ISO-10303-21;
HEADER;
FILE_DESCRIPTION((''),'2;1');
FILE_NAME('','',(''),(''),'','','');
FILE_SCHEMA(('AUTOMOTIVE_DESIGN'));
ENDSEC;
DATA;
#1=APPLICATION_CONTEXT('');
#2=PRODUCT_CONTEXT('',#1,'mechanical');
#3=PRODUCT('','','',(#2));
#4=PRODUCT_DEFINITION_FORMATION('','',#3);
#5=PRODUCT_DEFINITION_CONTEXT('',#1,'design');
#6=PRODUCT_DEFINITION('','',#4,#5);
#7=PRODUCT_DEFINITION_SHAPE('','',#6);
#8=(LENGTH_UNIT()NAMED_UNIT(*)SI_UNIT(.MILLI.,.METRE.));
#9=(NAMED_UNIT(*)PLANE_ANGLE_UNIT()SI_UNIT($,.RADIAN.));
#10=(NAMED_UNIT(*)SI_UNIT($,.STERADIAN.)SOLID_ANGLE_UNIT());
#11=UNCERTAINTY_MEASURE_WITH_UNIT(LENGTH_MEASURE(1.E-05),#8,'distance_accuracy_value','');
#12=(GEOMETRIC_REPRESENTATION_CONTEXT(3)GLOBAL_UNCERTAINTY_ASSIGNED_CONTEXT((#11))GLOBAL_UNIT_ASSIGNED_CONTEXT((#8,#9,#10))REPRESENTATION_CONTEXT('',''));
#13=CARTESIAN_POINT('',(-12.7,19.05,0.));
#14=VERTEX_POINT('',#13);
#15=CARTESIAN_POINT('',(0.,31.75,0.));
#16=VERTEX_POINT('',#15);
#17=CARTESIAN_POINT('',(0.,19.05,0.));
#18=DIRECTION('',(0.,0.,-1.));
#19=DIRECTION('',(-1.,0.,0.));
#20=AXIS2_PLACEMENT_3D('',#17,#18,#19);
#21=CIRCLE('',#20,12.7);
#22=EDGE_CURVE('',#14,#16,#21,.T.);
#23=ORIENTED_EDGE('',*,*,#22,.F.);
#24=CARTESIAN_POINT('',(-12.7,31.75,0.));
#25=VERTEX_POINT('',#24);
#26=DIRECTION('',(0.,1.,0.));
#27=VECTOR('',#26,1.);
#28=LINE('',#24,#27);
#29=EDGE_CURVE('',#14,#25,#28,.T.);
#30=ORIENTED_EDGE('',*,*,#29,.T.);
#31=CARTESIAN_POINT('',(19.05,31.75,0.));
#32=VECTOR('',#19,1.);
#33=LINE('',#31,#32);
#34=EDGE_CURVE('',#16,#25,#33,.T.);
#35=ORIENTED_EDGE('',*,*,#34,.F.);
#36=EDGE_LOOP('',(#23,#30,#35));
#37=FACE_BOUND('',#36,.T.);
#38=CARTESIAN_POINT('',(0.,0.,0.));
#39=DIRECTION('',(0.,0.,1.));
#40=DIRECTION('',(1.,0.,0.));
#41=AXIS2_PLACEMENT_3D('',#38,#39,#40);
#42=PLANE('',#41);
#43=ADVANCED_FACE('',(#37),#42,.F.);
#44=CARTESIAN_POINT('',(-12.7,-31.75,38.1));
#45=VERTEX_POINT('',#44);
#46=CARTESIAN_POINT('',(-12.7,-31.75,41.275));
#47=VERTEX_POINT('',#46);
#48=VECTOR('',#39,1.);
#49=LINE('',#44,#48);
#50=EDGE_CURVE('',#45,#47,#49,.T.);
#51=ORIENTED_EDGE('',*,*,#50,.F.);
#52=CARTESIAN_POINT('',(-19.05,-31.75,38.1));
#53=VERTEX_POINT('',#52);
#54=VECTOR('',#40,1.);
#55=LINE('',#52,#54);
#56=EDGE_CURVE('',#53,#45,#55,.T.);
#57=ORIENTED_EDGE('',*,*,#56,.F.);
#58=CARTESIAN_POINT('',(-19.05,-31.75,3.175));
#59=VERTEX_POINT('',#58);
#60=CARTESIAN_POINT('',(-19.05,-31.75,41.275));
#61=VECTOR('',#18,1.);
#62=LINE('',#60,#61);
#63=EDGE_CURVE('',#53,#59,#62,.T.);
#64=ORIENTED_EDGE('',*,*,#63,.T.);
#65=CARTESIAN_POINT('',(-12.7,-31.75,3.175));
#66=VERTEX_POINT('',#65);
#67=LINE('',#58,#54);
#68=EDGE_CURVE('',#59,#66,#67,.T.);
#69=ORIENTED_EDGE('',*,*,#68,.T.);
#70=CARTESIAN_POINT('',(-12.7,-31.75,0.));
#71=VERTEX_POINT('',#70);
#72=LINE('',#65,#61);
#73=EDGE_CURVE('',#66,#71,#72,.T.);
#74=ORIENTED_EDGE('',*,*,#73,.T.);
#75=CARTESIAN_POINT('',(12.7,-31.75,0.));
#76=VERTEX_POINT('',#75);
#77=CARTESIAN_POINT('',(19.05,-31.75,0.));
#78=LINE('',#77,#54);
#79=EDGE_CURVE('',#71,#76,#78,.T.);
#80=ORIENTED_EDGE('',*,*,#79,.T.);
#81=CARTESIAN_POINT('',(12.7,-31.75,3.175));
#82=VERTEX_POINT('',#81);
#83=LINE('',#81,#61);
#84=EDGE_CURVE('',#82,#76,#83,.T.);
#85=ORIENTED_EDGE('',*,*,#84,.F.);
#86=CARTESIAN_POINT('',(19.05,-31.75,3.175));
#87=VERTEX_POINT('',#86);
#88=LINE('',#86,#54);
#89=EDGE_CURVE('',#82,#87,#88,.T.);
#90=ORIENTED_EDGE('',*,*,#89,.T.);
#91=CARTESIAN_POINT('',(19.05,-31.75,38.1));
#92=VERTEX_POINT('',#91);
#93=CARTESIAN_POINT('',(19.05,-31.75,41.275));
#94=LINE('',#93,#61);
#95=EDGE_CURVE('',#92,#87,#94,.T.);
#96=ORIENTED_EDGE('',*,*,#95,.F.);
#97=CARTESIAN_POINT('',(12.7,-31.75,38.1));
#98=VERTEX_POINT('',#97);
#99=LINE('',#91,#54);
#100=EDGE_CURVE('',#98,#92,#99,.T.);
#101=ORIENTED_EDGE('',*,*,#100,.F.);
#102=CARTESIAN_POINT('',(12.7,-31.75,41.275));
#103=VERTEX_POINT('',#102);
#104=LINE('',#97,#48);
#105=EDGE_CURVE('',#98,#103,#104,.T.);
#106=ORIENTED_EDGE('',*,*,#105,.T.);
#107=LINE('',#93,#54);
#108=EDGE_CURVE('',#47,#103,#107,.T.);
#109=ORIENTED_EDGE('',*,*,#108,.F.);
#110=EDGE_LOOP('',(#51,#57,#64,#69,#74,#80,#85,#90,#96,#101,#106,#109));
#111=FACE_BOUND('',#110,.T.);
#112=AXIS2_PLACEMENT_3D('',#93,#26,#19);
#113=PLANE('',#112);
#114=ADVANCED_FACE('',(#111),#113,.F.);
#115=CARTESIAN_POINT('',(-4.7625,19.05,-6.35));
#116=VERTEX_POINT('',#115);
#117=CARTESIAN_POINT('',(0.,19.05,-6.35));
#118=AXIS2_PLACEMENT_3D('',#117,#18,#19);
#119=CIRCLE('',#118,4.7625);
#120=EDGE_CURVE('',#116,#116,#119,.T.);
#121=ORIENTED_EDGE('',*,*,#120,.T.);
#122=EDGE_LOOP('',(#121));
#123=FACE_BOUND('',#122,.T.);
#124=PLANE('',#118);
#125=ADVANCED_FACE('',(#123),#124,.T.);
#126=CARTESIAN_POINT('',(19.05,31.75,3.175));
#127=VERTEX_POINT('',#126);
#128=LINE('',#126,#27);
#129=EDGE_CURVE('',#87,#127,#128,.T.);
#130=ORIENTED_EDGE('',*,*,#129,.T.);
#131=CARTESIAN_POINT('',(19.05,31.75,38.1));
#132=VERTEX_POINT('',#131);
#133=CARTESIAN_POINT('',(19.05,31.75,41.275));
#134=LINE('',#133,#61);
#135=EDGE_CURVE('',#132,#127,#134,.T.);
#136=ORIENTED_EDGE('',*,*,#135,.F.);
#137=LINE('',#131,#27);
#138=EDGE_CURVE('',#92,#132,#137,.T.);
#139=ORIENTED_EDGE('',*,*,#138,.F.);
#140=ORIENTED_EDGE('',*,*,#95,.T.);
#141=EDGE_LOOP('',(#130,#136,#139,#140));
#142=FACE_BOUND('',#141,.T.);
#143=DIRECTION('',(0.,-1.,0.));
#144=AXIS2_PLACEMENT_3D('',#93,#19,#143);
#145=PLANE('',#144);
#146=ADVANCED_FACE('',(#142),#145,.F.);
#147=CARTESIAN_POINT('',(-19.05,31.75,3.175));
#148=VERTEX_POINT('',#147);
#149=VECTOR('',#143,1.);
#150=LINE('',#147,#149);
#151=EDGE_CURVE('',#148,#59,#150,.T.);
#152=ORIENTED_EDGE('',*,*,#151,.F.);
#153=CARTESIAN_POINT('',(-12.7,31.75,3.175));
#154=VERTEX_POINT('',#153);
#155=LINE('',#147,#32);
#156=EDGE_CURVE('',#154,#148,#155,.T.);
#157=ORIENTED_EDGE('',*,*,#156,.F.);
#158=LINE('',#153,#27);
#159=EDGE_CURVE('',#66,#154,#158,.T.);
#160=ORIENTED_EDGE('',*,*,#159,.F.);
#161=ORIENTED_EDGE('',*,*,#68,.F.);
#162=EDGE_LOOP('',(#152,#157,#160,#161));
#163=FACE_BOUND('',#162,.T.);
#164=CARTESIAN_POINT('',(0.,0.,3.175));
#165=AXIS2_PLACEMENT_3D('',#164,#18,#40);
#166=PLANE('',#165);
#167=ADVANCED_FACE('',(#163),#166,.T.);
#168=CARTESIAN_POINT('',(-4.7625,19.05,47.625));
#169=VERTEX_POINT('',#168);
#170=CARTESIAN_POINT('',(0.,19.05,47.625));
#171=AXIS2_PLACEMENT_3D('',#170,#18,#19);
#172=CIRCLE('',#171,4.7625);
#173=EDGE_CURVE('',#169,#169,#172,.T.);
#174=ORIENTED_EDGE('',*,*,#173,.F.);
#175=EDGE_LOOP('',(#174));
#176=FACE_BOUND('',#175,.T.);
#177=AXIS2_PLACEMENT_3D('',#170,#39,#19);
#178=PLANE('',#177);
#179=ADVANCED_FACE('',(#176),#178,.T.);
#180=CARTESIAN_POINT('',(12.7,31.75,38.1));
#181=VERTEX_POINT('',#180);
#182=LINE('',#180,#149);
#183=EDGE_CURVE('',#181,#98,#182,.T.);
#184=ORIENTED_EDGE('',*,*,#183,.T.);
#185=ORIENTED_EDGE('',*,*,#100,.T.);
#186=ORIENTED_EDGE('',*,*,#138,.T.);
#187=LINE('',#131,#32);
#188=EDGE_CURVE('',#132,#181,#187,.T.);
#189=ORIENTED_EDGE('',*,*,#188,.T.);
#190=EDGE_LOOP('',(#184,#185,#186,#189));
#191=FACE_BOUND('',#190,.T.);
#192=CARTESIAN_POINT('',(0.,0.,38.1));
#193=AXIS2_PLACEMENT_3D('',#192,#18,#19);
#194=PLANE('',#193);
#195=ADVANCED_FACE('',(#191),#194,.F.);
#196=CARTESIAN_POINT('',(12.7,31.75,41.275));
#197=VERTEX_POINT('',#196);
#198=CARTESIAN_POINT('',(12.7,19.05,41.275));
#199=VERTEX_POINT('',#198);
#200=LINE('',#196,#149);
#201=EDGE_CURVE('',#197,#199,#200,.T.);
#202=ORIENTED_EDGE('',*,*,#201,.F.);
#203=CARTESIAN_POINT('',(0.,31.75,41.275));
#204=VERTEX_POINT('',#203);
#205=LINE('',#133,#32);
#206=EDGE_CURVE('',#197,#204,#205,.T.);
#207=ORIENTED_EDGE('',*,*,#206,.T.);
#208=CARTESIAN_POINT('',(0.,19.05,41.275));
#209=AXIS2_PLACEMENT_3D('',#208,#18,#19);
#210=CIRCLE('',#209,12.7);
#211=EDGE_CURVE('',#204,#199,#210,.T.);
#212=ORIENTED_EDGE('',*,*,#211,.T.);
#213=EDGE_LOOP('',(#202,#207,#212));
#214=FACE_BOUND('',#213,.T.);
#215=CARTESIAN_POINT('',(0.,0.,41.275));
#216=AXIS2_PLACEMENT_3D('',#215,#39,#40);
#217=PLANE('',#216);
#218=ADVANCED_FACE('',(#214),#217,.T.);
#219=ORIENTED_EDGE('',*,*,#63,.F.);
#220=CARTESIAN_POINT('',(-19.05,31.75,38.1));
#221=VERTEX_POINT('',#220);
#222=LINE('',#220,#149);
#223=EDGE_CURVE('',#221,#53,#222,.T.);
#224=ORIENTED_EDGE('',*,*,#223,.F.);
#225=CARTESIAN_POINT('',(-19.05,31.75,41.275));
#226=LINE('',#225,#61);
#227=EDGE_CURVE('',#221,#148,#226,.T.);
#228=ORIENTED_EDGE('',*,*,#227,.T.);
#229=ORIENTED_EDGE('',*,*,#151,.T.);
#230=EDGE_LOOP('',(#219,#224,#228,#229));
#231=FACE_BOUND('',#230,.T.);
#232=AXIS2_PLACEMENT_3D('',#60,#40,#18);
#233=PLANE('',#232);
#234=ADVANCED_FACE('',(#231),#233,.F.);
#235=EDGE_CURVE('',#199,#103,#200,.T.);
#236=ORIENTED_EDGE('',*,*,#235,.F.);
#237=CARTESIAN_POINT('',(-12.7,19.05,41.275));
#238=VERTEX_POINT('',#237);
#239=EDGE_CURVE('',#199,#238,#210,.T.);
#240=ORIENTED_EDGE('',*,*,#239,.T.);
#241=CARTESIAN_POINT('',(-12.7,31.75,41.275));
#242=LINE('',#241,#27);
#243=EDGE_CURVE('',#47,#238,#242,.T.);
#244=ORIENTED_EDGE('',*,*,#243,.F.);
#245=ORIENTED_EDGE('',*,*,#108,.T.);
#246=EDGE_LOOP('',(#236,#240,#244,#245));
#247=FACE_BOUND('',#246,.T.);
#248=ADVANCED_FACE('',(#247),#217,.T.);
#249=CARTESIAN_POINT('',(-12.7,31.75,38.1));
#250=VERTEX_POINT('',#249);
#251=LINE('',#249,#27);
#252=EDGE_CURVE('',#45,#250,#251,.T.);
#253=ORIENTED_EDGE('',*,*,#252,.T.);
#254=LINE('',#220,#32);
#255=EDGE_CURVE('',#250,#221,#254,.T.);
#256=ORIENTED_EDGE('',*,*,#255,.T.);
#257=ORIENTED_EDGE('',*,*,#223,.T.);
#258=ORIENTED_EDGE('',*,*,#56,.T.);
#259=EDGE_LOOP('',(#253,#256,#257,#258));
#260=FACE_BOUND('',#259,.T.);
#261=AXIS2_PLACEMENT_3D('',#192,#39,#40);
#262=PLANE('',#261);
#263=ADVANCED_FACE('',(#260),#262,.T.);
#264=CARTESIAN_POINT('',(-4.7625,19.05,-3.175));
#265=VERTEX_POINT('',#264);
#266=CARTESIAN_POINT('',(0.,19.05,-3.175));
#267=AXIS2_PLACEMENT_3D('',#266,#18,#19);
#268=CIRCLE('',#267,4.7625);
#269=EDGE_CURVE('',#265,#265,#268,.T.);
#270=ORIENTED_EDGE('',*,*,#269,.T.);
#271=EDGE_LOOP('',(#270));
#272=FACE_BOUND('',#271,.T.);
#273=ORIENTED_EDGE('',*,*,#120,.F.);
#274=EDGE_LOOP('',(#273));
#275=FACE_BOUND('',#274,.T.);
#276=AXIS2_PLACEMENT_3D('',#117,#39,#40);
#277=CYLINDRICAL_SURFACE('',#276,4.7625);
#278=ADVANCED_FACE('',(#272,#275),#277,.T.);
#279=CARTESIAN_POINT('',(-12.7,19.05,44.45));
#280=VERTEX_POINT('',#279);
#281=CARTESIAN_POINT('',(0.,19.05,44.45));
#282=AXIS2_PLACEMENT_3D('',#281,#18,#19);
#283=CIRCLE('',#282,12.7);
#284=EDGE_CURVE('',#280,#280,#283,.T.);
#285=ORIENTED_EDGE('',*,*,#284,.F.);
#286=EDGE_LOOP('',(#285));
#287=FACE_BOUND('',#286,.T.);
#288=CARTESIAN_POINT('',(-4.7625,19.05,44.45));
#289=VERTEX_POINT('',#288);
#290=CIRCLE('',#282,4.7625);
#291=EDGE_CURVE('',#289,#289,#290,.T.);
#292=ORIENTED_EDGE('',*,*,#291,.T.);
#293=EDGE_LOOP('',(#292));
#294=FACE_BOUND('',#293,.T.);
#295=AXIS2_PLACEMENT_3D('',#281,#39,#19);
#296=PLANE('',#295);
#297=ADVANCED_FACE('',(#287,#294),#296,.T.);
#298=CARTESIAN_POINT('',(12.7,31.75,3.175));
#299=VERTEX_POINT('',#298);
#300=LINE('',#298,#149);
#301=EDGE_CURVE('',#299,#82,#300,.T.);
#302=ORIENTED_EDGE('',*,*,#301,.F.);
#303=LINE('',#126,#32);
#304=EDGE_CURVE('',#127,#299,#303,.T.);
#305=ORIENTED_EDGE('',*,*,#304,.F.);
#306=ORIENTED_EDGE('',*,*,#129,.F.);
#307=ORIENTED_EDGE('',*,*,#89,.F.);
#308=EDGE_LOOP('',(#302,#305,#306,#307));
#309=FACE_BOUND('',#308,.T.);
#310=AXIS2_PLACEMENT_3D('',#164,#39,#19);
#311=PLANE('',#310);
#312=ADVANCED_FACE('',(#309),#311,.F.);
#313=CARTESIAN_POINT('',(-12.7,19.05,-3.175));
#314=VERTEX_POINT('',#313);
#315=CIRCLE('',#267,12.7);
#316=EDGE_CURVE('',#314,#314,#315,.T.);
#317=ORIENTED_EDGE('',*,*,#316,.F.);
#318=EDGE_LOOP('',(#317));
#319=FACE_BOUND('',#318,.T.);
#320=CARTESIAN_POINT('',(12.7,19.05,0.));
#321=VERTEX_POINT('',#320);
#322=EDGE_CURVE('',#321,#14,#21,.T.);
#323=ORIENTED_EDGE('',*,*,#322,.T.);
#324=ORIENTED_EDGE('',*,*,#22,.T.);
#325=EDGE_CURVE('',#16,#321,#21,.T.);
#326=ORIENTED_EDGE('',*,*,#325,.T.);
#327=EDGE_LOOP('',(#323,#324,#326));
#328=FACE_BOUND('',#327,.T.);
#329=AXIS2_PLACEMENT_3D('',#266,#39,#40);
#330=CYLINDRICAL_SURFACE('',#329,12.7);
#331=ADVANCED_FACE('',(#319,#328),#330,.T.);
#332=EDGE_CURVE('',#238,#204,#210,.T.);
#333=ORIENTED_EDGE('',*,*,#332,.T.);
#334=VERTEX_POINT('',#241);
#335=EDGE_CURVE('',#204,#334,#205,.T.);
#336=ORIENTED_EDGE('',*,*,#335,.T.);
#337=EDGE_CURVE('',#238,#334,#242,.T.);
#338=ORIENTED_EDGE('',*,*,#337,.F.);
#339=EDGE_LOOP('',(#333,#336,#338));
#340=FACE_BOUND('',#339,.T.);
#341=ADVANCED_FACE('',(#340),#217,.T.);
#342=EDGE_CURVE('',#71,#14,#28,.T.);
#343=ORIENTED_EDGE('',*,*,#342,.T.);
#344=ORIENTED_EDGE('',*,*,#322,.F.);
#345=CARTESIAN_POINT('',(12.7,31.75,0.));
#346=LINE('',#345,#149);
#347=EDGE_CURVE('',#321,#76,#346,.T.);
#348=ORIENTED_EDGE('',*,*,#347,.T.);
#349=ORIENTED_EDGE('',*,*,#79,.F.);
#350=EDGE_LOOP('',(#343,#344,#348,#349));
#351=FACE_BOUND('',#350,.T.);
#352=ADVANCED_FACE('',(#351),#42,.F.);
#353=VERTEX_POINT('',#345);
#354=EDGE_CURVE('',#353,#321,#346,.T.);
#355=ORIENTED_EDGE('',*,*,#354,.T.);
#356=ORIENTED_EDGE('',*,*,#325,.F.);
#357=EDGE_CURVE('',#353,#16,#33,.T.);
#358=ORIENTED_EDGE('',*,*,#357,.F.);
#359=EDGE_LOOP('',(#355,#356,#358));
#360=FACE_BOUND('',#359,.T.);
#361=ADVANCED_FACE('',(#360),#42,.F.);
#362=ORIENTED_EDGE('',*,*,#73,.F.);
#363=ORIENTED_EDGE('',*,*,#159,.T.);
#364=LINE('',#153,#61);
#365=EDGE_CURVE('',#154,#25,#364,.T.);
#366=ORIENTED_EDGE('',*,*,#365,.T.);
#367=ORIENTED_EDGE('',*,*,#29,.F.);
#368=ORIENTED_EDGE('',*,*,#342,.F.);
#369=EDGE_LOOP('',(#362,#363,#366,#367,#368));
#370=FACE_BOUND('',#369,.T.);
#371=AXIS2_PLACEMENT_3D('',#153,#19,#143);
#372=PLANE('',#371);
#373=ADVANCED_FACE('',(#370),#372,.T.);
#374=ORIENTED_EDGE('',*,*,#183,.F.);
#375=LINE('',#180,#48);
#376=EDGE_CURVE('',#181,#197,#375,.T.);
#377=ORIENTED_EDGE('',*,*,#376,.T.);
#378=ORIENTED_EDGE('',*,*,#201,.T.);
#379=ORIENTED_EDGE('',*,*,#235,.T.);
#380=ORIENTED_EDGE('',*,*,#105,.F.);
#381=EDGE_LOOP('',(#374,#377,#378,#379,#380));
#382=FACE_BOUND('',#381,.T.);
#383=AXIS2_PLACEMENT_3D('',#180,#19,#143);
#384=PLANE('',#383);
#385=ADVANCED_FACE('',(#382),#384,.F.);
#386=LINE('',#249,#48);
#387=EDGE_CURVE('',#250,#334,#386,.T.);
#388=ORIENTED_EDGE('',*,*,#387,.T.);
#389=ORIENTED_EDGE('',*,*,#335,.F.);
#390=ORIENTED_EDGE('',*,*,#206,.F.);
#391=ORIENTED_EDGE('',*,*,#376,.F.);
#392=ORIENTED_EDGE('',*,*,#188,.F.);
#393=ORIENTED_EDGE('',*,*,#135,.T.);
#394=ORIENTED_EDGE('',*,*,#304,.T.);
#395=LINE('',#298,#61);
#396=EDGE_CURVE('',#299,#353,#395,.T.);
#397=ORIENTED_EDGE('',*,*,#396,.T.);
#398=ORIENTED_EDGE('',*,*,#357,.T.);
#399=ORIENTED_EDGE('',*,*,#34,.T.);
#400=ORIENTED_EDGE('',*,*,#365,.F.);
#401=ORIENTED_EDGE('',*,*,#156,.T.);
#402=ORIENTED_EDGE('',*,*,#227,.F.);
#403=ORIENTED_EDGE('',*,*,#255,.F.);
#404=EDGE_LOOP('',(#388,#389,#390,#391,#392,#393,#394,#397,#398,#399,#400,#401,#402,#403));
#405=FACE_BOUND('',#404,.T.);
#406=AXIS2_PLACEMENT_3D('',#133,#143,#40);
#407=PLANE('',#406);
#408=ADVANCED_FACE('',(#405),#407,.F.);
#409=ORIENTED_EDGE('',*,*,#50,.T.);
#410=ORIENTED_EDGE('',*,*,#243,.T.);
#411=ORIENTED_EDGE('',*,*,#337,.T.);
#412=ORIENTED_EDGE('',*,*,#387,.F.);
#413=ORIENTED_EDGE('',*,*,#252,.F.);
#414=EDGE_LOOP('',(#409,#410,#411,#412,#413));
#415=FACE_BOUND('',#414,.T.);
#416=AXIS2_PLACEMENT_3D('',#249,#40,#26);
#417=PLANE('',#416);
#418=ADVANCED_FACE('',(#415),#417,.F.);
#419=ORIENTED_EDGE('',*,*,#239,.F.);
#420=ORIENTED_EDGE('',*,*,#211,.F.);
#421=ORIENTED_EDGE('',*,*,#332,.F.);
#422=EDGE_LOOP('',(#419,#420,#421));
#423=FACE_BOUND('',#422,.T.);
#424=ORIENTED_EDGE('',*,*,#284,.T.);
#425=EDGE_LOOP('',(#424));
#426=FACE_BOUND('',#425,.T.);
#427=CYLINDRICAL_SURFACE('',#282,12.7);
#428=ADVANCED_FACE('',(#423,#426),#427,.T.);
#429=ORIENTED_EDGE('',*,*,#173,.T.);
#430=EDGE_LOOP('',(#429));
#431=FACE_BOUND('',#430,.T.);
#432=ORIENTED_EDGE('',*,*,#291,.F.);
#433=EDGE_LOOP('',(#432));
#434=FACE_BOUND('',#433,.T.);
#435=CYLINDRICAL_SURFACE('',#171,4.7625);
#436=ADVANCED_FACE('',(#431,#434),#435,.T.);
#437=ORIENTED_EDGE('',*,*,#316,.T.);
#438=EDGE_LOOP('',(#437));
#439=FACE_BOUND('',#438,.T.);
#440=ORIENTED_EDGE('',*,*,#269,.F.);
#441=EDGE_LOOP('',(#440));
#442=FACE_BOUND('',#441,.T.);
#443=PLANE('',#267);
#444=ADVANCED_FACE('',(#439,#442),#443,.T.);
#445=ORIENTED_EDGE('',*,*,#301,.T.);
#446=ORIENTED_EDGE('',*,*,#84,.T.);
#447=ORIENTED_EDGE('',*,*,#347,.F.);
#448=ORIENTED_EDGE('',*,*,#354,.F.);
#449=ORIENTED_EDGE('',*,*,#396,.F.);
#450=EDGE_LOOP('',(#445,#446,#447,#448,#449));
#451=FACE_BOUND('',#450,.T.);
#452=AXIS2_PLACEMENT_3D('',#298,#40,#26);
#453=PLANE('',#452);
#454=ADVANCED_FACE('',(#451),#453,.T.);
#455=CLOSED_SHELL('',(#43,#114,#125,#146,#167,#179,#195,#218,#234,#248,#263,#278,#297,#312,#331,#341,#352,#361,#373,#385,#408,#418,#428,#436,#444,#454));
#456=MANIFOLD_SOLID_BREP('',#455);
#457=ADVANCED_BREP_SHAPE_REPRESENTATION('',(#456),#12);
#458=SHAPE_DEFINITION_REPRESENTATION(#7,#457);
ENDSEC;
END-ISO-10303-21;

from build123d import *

# Parameters (mm, degrees)
SKETCH1_W           = 38.1
SKETCH1_H           = 63.5
BOSS_EXTRUDE1_DEPTH = 41.275
SKETCH2_R           = 12.7
BOSS_EXTRUDE2_DEPTH = 3.175
SKETCH3_R           = 4.7625
BOSS_EXTRUDE3_DEPTH = 3.175
SKETCH5_W           = 6.35
SKETCH5_H           = 63.5
CUT_EXTRUDE1_DEPTH  = 3.175


with BuildPart() as part:
    # Sketch1 → Boss-Extrude1 (new body)
    with BuildSketch(Plane.XY):
        Rectangle(SKETCH1_W, SKETCH1_H)
    extrude(amount=BOSS_EXTRUDE1_DEPTH)

    # Sketch2 → Boss-Extrude2 (add)
    with BuildSketch(Plane(origin=(0, 0, 0), x_dir=(-1, 0, 0), z_dir=(0, 0, -1))):
        with Locations((0, 19.05)):
            Circle(SKETCH2_R)
    boss_extrude2 = extrude(amount=BOSS_EXTRUDE2_DEPTH)

    # Sketch3 → Boss-Extrude3 (add)
    with BuildSketch(Plane(origin=(0, 0, -3.175), x_dir=(-1, 0, 0), z_dir=(0, 0, -1))):
        with Locations((0, 19.05)):
            Circle(SKETCH3_R)
    boss_extrude3 = extrude(amount=BOSS_EXTRUDE3_DEPTH)

    # Mirror1: Boss-Extrude2, Boss-Extrude3 across plane
    add(boss_extrude2.mirror(Plane(origin=(0, 0, 20.6375), x_dir=(1, 0, 0), z_dir=(0, 0, -1))))
    add(boss_extrude3.mirror(Plane(origin=(0, 0, 20.6375), x_dir=(1, 0, 0), z_dir=(0, 0, -1))))

    # Sketch5 → Cut-Extrude1 (cut)
    with BuildSketch(Plane.XY.offset(41.275)):
        with Locations((-15.875, 0)):
            Rectangle(SKETCH5_W, SKETCH5_H)
        with Locations((15.875, 0)):
            Rectangle(SKETCH5_W, SKETCH5_H)
    cut_extrude1 = extrude(amount=-CUT_EXTRUDE1_DEPTH, mode=Mode.SUBTRACT)

    # Mirror2: Cut-Extrude1 across plane
    add(cut_extrude1.mirror(Plane(origin=(0, 0, 20.6375), x_dir=(1, 0, 0), z_dir=(0, 0, -1))), mode=Mode.SUBTRACT)


solid = part.part
